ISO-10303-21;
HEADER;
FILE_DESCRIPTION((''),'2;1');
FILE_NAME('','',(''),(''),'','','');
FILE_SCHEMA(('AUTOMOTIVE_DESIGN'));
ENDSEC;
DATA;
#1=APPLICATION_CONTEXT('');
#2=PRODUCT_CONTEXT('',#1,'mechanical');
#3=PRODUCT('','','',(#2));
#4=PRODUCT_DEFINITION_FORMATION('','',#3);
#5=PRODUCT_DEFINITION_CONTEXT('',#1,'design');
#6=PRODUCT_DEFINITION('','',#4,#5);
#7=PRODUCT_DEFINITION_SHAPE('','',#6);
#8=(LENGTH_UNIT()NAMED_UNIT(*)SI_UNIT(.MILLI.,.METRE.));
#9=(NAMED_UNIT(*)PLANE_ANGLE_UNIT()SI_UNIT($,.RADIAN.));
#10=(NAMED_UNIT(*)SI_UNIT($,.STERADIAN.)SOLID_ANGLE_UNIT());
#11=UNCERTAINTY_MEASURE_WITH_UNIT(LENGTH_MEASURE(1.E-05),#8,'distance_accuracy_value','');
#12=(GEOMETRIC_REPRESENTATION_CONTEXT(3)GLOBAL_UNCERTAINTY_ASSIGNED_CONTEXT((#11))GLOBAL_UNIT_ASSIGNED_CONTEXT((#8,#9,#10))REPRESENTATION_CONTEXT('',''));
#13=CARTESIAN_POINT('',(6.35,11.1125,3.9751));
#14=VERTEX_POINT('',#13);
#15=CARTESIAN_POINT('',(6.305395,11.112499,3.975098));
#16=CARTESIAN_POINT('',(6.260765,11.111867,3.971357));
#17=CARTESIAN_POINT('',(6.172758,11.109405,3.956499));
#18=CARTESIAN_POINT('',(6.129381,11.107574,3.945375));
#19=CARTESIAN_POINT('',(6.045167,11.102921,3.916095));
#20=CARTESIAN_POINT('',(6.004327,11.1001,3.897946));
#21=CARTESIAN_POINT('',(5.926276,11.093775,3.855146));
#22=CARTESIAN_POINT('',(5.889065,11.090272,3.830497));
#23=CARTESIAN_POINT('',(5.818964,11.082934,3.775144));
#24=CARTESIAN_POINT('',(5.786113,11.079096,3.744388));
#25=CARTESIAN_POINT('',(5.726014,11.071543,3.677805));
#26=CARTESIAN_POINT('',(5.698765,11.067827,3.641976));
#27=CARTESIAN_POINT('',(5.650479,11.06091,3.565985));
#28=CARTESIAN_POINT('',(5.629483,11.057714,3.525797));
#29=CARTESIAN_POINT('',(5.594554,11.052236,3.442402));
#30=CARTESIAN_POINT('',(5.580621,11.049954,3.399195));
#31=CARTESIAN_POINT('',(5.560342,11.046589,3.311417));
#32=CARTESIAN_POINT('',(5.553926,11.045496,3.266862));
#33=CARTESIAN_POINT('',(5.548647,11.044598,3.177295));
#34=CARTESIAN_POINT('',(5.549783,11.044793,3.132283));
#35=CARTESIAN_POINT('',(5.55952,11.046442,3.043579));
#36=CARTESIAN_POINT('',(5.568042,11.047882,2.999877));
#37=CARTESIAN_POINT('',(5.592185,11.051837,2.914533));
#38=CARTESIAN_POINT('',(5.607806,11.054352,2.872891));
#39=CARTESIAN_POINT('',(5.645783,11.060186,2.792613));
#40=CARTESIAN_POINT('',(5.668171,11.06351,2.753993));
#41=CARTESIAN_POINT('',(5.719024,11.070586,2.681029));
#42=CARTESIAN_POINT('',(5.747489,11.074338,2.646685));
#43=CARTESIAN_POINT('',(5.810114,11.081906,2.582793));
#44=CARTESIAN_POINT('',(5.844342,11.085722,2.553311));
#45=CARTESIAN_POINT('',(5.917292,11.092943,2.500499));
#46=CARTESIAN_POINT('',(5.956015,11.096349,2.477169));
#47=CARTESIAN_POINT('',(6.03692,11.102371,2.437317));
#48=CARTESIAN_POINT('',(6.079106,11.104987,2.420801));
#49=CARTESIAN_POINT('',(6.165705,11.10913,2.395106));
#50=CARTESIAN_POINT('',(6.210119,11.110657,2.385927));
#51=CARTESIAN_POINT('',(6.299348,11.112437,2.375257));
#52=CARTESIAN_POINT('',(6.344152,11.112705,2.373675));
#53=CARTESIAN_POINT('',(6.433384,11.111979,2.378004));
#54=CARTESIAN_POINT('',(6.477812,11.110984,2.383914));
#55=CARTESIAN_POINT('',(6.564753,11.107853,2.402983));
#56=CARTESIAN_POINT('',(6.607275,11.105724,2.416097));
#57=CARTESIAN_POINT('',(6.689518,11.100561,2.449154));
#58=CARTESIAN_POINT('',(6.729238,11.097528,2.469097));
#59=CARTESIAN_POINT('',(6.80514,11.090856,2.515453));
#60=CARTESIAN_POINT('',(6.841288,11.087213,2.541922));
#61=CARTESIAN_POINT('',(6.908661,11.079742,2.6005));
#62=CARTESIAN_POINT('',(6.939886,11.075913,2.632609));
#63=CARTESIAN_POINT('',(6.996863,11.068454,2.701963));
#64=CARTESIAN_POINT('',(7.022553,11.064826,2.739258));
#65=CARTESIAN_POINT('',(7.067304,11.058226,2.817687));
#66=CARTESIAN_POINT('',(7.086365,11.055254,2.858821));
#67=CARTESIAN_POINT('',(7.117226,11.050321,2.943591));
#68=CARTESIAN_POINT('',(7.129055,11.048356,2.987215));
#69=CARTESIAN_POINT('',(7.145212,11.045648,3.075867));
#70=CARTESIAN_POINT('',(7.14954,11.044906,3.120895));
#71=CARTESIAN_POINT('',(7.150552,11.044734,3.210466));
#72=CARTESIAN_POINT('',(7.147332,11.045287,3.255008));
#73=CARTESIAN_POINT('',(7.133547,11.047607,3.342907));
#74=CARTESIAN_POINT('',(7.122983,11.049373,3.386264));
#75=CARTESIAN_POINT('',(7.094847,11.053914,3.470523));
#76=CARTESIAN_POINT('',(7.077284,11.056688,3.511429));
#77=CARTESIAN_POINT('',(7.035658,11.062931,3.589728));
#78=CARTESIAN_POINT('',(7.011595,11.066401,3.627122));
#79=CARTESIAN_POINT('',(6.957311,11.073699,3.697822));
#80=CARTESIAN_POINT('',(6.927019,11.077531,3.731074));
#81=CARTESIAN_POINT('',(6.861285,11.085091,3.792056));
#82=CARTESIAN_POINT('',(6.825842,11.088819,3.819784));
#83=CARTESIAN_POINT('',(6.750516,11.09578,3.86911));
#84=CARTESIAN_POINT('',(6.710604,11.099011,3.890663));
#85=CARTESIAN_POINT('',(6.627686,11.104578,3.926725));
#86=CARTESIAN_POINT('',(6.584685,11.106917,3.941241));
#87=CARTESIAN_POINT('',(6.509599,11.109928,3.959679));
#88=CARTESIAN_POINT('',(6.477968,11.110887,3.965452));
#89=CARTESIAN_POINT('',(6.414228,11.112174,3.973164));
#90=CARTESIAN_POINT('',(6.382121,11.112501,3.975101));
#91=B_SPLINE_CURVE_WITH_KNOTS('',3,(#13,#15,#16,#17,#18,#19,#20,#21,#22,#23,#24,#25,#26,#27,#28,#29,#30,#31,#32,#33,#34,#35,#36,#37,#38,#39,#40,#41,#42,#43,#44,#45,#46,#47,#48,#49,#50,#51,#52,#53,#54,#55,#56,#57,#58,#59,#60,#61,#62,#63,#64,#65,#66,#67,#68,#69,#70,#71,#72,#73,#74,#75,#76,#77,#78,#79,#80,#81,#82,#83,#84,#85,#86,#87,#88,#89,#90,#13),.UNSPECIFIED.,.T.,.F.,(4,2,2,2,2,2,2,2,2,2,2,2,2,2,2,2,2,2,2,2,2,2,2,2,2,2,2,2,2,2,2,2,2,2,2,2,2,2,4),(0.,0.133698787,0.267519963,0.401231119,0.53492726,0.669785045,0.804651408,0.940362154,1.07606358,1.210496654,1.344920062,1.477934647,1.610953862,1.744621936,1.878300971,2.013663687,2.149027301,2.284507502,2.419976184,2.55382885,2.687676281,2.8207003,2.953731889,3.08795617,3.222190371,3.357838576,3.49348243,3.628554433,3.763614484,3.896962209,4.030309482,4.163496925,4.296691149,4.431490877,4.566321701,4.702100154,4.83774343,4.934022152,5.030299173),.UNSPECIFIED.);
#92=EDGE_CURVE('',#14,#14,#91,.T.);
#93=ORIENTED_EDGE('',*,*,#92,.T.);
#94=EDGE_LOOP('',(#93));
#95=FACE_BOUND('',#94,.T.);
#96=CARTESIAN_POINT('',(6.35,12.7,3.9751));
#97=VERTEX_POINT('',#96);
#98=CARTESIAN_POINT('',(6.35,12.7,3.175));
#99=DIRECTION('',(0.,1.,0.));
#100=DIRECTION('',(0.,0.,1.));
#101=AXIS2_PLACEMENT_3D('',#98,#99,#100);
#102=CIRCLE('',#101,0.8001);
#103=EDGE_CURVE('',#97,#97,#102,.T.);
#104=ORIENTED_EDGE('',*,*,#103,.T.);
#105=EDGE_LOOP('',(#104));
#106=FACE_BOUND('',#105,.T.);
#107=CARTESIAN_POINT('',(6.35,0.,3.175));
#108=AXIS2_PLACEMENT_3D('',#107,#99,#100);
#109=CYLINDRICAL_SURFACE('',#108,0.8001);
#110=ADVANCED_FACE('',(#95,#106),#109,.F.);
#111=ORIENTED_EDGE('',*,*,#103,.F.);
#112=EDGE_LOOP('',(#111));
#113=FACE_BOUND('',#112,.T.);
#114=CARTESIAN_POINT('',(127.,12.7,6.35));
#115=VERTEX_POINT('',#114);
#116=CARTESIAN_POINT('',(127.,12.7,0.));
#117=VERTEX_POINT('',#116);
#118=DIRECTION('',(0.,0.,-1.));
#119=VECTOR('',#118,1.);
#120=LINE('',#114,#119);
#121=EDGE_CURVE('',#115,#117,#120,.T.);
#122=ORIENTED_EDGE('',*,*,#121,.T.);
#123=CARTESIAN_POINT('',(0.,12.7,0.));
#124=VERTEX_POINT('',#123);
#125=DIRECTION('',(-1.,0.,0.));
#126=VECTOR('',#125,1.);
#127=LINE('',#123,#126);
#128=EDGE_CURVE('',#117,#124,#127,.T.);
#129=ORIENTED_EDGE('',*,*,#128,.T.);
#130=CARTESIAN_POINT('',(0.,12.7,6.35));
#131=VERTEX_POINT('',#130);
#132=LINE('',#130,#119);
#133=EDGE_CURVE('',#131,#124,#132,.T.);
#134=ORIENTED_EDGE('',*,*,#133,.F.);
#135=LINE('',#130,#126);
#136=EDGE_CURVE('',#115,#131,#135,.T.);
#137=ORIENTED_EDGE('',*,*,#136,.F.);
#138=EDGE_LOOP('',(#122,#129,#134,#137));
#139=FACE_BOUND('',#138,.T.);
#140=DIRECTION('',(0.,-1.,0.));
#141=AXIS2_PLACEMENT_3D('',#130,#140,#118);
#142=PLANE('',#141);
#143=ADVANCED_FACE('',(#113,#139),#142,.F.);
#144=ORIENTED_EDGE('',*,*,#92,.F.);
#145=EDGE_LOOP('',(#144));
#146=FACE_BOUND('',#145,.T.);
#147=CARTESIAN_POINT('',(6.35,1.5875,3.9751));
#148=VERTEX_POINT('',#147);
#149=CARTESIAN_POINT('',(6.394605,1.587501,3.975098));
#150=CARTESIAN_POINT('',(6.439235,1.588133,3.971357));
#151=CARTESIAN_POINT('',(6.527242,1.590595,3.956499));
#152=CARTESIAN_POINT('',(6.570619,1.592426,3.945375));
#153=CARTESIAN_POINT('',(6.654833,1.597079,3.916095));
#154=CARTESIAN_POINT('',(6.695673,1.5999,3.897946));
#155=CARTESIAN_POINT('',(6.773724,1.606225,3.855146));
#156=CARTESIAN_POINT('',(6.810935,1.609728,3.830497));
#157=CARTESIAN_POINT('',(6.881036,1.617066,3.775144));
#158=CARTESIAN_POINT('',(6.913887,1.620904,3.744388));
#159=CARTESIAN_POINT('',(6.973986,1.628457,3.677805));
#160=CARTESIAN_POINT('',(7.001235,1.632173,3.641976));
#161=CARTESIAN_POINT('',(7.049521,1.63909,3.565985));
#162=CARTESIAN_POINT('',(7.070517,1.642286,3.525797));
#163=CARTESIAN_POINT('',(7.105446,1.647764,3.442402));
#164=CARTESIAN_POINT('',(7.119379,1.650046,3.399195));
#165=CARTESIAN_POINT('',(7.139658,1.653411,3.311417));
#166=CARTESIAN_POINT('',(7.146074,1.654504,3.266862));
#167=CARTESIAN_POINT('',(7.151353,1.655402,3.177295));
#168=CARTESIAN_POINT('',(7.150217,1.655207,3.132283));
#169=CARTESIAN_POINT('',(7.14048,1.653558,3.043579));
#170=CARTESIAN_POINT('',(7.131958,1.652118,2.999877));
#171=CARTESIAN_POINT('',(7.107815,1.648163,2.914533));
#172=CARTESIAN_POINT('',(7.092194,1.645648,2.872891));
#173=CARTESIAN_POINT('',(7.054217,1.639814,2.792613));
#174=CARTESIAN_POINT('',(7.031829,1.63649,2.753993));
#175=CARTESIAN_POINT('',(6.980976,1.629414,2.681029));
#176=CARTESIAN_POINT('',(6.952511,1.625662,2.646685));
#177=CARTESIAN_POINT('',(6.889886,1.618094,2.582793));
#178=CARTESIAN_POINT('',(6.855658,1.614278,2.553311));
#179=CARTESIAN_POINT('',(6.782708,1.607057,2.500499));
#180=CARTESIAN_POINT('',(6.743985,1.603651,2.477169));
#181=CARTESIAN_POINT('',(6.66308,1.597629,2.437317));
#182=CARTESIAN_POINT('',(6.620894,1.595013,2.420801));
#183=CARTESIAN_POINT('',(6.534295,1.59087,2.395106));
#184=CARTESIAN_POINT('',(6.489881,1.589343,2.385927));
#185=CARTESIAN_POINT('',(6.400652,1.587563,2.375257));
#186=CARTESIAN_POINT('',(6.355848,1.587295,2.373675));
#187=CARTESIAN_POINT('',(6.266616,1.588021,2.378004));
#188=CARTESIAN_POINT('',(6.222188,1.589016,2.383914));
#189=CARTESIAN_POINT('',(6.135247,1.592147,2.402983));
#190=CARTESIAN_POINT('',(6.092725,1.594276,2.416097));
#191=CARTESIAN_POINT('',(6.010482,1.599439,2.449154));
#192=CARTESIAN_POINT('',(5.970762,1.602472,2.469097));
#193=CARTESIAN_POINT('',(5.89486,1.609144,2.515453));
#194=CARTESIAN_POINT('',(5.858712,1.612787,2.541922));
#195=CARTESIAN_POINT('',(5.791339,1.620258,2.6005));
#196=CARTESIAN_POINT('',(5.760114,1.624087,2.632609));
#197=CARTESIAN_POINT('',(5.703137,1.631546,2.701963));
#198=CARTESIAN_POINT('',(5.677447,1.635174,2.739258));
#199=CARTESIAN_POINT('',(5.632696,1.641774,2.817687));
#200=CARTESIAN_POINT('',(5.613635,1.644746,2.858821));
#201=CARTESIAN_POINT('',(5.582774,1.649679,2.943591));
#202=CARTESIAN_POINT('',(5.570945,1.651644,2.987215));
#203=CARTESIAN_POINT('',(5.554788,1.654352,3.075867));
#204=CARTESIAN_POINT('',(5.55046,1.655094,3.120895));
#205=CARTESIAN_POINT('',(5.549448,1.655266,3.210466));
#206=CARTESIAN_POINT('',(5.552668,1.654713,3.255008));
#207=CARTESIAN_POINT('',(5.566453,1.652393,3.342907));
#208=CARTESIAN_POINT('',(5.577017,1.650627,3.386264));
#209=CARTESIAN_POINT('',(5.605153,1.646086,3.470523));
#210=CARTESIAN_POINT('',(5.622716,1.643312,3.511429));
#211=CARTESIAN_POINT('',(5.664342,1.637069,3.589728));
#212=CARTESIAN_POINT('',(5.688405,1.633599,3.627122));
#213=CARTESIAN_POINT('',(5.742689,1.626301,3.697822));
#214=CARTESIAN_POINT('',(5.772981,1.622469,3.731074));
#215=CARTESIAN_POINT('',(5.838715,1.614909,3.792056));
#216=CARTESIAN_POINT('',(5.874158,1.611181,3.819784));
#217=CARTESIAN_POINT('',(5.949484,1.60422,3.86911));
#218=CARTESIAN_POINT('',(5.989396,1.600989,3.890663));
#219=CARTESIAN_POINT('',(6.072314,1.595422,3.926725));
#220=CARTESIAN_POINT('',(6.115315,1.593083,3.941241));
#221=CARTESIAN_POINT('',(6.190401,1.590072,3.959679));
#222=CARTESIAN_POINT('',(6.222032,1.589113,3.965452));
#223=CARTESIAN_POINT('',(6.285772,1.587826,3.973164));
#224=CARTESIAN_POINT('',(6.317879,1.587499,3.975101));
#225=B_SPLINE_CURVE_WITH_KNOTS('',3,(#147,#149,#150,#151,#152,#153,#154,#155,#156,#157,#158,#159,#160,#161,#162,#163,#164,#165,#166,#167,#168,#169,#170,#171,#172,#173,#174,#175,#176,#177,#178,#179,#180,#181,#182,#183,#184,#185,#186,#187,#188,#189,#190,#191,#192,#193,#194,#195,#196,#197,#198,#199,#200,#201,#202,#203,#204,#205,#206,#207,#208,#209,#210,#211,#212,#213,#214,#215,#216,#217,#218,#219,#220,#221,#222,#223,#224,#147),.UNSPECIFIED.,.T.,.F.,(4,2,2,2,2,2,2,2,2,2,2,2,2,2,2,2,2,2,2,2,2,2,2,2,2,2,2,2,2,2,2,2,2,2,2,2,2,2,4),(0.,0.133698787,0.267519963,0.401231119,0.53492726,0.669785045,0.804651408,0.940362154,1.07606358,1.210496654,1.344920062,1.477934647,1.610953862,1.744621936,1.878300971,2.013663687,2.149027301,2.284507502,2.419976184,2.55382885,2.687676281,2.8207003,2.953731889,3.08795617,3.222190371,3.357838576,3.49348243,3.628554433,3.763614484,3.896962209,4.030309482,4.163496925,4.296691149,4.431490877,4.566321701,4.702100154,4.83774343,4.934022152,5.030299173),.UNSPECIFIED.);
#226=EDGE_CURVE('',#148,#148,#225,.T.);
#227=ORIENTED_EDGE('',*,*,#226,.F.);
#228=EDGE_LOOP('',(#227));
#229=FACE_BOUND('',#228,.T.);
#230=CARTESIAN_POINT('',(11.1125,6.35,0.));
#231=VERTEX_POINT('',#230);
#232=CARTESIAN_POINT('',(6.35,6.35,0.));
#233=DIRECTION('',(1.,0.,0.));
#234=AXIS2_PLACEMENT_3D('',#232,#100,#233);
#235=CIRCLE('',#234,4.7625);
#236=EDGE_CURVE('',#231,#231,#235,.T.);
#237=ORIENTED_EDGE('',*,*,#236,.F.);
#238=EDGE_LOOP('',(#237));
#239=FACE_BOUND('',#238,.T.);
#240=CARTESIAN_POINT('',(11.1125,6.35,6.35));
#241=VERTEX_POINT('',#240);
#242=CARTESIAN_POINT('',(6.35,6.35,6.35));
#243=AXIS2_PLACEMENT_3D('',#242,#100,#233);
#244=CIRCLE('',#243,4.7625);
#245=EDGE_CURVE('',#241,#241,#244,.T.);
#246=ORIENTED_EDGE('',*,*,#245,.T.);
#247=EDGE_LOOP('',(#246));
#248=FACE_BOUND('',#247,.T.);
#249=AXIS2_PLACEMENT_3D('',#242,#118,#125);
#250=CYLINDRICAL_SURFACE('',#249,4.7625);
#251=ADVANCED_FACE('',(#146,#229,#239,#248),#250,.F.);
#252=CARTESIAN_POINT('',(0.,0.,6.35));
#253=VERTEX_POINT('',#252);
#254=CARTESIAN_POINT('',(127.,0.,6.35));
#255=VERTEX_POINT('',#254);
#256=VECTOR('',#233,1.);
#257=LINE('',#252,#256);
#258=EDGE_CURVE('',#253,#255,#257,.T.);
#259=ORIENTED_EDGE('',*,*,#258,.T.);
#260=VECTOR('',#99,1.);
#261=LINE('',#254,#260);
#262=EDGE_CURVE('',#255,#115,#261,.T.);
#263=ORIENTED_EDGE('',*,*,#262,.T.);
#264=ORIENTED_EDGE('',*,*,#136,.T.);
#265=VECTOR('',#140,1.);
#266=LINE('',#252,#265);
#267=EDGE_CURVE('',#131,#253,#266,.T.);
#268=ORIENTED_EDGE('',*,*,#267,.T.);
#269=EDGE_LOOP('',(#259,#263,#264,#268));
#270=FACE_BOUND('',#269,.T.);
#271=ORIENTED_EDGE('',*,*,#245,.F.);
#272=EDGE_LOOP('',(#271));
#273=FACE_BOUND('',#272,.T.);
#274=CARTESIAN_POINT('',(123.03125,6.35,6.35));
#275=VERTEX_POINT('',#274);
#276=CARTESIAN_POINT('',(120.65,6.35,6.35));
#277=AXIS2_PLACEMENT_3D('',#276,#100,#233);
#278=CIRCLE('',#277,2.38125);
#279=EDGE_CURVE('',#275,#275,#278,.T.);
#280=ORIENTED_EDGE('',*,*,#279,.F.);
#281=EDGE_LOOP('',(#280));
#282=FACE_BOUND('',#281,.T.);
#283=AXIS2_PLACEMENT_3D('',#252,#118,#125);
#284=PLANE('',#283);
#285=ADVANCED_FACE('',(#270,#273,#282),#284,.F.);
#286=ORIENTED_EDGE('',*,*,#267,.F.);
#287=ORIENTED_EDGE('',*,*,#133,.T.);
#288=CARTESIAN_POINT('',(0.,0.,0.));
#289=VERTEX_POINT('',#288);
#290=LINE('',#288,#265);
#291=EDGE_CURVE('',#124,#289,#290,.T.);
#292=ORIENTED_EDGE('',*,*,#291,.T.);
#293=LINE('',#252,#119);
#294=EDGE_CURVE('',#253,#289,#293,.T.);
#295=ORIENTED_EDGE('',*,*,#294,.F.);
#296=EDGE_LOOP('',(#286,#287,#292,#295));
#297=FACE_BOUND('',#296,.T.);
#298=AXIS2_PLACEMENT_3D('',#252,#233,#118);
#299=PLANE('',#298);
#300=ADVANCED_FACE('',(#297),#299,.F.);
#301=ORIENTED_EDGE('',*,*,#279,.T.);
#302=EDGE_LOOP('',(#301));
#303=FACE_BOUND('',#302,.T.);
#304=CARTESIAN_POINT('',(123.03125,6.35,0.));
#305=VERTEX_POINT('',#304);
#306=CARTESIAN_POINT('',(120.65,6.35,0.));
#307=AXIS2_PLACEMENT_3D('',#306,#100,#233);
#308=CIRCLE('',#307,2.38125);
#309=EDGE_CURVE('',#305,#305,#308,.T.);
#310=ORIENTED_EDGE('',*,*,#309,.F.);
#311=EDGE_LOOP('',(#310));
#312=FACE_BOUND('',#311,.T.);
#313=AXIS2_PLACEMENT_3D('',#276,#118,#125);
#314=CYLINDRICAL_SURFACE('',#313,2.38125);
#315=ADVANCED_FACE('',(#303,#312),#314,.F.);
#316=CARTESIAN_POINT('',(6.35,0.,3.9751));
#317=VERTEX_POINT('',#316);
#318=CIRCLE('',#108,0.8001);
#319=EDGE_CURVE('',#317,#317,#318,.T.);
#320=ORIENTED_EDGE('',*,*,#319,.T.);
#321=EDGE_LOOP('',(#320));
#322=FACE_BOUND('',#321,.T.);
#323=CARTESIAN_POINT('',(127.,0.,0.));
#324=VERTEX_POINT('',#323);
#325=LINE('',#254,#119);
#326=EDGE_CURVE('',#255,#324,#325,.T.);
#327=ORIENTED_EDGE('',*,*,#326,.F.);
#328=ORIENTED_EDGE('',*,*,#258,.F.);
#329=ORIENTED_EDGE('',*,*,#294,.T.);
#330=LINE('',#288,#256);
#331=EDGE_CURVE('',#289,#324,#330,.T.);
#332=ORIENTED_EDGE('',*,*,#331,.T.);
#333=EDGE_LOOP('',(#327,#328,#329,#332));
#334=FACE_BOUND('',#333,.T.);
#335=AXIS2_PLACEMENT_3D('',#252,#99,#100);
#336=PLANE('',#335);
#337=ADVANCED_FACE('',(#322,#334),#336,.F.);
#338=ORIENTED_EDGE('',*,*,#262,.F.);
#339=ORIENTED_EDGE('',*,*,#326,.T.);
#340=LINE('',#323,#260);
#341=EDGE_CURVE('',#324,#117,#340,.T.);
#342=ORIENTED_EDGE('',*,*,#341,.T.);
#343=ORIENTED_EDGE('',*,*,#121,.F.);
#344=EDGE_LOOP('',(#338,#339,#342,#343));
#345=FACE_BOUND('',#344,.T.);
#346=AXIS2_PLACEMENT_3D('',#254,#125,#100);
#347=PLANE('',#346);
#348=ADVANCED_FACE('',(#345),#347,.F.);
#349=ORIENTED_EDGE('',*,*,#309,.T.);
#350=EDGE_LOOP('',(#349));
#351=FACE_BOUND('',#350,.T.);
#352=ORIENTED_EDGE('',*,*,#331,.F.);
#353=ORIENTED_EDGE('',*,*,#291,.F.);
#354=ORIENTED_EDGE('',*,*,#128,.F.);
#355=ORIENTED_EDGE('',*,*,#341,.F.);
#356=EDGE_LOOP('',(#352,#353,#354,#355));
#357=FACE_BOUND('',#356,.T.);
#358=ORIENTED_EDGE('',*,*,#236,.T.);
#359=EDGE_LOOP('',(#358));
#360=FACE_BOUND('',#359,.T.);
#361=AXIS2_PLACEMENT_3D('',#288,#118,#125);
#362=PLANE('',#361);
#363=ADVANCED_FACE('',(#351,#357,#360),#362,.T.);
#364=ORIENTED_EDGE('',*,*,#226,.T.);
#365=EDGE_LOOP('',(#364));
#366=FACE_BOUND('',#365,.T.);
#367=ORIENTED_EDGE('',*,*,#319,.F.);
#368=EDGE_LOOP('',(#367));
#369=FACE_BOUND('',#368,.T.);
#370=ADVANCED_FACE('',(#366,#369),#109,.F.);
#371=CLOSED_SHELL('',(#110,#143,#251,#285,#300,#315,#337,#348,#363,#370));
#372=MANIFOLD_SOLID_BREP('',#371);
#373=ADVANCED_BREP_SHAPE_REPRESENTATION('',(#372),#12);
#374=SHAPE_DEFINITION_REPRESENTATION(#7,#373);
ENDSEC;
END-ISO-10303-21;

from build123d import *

# Parameters (mm, degrees)
SKETCH1_W           = 127
SKETCH1_H           = 12.7
SKETCH1_R           = 4.7625
SKETCH1_R_2         = 2.38125
BOSS_EXTRUDE1_DEPTH = 6.35
SKETCH2_R           = 0.8001
CUT_EXTRUDE1_DEPTH  = 12.7


with BuildPart() as part:
    # Sketch1 → Boss-Extrude1 (new body)
    with BuildSketch(Plane.XY):
        with Locations((63.5, 6.35)):
            Rectangle(SKETCH1_W, SKETCH1_H)
        with Locations((6.35, 6.35)):
            Circle(SKETCH1_R, mode=Mode.SUBTRACT)
        with Locations((120.65, 6.35)):
            Circle(SKETCH1_R_2, mode=Mode.SUBTRACT)
    extrude(amount=BOSS_EXTRUDE1_DEPTH)

    # Sketch2 → Cut-Extrude1 (cut)
    with BuildSketch(Plane(origin=(0, 12.7, 0), x_dir=(1, 0, 0), z_dir=(0, 1, 0))):
        with Locations(Location((6.35, -3.175, 0), (0, 0, 270))):
            Circle(SKETCH2_R)
    extrude(amount=-CUT_EXTRUDE1_DEPTH, mode=Mode.SUBTRACT)


solid = part.part
